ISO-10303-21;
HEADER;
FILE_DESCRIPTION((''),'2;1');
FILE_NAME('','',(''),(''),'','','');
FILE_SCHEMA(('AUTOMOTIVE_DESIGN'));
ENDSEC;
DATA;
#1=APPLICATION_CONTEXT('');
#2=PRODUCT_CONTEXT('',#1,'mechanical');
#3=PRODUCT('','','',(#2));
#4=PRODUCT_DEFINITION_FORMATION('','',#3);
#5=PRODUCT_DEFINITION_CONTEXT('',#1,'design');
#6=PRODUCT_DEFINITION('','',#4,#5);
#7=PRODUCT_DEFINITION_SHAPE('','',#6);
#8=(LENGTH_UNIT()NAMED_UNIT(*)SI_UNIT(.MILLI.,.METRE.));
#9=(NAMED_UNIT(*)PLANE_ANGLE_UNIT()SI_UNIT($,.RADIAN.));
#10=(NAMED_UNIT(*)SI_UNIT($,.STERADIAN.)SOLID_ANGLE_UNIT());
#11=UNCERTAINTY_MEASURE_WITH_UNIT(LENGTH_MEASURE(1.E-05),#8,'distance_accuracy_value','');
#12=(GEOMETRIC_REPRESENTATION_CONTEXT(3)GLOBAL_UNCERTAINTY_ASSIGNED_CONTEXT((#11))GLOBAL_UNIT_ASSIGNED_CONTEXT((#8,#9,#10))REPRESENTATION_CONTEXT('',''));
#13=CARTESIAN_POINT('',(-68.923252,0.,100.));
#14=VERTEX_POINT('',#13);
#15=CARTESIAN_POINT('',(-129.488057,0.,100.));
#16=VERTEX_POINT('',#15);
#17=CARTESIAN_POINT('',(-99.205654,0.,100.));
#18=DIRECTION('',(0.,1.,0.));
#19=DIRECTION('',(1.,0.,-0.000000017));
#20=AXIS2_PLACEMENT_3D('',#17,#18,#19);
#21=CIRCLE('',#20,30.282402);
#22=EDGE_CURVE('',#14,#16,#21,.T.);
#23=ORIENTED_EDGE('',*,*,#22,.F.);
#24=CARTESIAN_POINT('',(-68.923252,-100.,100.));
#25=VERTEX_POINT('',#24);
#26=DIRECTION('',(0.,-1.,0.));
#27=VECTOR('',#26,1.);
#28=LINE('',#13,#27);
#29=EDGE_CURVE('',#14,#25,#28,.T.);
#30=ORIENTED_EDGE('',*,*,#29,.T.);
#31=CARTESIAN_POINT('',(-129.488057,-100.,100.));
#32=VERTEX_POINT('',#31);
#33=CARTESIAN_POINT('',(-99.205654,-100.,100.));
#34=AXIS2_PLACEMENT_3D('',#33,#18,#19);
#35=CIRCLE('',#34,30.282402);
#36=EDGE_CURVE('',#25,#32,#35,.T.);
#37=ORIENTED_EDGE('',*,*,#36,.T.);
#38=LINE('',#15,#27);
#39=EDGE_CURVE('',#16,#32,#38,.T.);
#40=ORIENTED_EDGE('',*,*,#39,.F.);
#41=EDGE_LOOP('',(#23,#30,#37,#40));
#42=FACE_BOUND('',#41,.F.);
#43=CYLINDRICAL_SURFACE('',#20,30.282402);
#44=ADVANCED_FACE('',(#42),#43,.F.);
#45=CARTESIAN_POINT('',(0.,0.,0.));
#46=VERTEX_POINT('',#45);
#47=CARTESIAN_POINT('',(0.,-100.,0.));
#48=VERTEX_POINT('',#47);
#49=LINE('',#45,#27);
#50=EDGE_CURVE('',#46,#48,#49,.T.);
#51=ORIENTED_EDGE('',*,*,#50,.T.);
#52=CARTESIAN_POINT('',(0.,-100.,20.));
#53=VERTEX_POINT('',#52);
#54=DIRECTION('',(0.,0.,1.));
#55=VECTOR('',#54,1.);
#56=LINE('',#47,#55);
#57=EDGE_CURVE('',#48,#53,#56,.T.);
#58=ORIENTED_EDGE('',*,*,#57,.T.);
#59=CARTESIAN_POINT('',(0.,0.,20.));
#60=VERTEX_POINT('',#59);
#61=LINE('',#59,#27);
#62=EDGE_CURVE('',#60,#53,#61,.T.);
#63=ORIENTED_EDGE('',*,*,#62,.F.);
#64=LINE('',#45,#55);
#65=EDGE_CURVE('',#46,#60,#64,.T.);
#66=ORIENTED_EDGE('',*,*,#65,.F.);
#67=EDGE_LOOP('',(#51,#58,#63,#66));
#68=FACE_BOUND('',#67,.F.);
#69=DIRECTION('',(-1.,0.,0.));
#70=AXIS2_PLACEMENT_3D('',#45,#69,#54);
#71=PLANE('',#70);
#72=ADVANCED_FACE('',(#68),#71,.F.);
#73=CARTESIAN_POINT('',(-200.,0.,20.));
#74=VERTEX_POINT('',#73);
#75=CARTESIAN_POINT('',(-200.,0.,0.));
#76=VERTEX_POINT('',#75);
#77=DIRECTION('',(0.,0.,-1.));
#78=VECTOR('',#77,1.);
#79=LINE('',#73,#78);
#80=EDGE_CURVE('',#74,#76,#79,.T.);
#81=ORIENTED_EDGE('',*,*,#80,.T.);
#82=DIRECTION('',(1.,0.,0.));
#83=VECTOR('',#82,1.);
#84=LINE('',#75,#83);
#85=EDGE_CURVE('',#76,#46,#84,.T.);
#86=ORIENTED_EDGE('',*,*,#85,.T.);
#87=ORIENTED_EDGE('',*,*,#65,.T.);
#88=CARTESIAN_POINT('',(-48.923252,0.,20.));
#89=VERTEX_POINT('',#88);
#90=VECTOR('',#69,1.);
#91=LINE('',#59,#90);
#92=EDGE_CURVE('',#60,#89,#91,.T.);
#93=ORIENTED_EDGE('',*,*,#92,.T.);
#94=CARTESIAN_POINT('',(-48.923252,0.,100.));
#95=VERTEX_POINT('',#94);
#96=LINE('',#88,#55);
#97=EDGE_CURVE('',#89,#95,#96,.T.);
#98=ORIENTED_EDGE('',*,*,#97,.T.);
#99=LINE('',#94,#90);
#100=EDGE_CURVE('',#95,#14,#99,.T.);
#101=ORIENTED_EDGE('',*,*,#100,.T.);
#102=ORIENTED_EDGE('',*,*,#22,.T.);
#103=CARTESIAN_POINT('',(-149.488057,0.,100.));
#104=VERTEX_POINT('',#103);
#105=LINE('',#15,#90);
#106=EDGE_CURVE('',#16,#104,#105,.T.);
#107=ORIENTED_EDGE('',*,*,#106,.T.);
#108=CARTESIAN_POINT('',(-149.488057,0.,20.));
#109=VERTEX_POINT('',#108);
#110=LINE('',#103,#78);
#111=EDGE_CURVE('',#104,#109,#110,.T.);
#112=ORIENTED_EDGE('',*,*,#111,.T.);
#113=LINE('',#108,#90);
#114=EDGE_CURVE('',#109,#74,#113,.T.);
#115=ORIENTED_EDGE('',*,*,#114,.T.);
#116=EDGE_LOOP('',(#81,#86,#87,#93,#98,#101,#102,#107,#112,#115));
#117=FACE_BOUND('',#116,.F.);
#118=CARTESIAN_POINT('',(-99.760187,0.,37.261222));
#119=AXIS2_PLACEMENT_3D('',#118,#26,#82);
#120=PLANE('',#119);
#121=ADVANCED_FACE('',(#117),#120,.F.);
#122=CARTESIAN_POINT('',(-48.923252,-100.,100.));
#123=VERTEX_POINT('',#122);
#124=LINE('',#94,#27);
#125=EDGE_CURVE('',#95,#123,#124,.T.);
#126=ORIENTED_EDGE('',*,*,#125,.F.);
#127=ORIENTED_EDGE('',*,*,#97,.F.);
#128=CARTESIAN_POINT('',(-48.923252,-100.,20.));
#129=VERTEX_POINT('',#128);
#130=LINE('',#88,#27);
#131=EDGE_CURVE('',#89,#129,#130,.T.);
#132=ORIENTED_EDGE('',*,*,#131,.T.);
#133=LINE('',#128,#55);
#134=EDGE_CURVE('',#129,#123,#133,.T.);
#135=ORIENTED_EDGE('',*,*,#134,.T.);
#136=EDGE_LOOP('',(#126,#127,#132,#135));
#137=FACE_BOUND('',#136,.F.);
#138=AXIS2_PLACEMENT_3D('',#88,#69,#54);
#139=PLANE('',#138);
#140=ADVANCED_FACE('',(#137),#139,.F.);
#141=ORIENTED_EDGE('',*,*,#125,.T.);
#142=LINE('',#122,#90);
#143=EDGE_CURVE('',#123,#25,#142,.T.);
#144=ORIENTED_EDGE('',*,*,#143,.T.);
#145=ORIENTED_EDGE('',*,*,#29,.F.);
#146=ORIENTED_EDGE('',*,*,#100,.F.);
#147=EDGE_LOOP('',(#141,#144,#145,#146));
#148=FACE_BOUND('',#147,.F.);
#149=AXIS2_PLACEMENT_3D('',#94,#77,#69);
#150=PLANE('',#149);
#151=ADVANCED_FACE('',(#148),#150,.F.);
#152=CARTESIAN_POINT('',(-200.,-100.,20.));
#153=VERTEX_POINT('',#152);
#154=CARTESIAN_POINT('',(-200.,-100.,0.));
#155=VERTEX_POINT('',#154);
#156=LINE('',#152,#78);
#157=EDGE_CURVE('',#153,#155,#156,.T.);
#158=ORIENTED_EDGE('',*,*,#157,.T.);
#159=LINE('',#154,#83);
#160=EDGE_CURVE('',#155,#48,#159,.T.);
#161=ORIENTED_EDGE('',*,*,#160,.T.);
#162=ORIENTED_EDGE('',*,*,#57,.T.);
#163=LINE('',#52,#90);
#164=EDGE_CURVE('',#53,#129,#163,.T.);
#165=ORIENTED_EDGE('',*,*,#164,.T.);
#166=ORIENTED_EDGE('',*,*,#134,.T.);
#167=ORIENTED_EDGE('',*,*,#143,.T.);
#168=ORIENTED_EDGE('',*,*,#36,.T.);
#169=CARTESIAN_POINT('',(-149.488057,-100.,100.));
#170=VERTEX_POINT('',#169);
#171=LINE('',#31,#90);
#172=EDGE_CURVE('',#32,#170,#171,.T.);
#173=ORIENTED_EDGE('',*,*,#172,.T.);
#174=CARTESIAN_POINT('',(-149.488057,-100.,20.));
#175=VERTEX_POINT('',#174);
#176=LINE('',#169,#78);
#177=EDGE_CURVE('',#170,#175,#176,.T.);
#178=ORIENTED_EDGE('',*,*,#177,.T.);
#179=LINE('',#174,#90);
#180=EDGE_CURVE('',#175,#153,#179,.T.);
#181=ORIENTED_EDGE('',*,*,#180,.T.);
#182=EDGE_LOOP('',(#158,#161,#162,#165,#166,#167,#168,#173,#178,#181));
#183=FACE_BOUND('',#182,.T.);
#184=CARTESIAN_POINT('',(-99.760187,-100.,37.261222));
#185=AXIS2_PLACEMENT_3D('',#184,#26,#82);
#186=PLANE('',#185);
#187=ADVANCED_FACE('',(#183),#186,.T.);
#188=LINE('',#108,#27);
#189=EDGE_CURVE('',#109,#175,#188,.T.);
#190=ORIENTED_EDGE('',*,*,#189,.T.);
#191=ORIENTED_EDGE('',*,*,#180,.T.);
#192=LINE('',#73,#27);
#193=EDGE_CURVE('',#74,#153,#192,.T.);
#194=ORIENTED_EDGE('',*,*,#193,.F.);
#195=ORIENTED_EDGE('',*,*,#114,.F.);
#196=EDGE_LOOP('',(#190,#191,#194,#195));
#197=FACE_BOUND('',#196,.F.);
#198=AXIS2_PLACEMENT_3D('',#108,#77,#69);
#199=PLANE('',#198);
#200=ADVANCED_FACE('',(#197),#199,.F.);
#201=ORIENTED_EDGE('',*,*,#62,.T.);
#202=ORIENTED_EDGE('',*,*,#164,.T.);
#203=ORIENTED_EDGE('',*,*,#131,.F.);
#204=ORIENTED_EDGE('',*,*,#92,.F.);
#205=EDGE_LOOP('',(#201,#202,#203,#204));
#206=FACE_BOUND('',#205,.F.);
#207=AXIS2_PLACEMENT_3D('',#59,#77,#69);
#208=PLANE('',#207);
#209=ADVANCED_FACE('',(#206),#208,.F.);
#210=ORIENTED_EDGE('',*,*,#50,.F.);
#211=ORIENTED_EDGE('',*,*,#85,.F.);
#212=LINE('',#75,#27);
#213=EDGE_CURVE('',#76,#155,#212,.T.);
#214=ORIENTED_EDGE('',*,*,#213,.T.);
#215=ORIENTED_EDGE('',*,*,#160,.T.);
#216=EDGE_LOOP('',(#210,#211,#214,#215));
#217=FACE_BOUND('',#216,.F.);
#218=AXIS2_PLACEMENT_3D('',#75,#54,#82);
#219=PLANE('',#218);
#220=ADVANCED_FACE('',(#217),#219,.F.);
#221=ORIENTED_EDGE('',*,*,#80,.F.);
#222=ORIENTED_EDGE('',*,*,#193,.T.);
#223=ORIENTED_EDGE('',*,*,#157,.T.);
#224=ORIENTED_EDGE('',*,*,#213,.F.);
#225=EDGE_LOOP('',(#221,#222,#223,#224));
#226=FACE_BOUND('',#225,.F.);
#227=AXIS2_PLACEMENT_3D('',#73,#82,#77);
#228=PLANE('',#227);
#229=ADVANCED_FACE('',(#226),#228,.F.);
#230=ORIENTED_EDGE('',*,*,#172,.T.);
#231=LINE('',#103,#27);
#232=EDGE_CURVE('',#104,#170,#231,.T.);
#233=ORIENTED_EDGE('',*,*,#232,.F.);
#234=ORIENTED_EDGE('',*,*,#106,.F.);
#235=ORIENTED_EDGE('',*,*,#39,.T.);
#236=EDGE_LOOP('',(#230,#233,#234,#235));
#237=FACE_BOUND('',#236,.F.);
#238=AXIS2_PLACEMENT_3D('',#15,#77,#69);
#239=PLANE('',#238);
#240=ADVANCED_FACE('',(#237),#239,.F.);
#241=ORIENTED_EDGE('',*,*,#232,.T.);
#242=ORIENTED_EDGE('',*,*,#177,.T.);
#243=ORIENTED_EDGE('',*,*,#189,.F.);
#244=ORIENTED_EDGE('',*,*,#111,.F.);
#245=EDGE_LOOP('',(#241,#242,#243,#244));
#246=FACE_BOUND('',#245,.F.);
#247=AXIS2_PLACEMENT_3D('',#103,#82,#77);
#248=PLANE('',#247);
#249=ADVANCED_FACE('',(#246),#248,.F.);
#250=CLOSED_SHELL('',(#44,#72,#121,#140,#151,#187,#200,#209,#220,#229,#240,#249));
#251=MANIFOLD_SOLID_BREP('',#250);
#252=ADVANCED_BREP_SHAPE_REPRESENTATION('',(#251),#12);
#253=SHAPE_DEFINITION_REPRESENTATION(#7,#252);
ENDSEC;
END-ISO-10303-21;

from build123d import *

# Parameters (mm, degrees)
F1_DEPTH = 100


with BuildPart() as f1:
    # F0 (on Front) → F1 (new body)
    with BuildSketch(Plane.XZ):
        with BuildLine():
            Line((-200, 0), (0, 0))
            Line((0, 0), (0, 20))
            Line((0, 20), (-48.923252, 20))
            Line((-48.923252, 20), (-48.923252, 100))
            Line((-48.923252, 100), (-68.923252, 100))
            ThreePointArc((-68.923252, 100), (-99.205654, 69.717598), (-129.488057, 100))
            Line((-129.488057, 100), (-149.488057, 100))
            Line((-149.488057, 100), (-149.488057, 20))
            Line((-149.488057, 20), (-200, 20))
            Line((-200, 20), (-200, 0))
        make_face()
    extrude(amount=F1_DEPTH)


solid = f1.part
